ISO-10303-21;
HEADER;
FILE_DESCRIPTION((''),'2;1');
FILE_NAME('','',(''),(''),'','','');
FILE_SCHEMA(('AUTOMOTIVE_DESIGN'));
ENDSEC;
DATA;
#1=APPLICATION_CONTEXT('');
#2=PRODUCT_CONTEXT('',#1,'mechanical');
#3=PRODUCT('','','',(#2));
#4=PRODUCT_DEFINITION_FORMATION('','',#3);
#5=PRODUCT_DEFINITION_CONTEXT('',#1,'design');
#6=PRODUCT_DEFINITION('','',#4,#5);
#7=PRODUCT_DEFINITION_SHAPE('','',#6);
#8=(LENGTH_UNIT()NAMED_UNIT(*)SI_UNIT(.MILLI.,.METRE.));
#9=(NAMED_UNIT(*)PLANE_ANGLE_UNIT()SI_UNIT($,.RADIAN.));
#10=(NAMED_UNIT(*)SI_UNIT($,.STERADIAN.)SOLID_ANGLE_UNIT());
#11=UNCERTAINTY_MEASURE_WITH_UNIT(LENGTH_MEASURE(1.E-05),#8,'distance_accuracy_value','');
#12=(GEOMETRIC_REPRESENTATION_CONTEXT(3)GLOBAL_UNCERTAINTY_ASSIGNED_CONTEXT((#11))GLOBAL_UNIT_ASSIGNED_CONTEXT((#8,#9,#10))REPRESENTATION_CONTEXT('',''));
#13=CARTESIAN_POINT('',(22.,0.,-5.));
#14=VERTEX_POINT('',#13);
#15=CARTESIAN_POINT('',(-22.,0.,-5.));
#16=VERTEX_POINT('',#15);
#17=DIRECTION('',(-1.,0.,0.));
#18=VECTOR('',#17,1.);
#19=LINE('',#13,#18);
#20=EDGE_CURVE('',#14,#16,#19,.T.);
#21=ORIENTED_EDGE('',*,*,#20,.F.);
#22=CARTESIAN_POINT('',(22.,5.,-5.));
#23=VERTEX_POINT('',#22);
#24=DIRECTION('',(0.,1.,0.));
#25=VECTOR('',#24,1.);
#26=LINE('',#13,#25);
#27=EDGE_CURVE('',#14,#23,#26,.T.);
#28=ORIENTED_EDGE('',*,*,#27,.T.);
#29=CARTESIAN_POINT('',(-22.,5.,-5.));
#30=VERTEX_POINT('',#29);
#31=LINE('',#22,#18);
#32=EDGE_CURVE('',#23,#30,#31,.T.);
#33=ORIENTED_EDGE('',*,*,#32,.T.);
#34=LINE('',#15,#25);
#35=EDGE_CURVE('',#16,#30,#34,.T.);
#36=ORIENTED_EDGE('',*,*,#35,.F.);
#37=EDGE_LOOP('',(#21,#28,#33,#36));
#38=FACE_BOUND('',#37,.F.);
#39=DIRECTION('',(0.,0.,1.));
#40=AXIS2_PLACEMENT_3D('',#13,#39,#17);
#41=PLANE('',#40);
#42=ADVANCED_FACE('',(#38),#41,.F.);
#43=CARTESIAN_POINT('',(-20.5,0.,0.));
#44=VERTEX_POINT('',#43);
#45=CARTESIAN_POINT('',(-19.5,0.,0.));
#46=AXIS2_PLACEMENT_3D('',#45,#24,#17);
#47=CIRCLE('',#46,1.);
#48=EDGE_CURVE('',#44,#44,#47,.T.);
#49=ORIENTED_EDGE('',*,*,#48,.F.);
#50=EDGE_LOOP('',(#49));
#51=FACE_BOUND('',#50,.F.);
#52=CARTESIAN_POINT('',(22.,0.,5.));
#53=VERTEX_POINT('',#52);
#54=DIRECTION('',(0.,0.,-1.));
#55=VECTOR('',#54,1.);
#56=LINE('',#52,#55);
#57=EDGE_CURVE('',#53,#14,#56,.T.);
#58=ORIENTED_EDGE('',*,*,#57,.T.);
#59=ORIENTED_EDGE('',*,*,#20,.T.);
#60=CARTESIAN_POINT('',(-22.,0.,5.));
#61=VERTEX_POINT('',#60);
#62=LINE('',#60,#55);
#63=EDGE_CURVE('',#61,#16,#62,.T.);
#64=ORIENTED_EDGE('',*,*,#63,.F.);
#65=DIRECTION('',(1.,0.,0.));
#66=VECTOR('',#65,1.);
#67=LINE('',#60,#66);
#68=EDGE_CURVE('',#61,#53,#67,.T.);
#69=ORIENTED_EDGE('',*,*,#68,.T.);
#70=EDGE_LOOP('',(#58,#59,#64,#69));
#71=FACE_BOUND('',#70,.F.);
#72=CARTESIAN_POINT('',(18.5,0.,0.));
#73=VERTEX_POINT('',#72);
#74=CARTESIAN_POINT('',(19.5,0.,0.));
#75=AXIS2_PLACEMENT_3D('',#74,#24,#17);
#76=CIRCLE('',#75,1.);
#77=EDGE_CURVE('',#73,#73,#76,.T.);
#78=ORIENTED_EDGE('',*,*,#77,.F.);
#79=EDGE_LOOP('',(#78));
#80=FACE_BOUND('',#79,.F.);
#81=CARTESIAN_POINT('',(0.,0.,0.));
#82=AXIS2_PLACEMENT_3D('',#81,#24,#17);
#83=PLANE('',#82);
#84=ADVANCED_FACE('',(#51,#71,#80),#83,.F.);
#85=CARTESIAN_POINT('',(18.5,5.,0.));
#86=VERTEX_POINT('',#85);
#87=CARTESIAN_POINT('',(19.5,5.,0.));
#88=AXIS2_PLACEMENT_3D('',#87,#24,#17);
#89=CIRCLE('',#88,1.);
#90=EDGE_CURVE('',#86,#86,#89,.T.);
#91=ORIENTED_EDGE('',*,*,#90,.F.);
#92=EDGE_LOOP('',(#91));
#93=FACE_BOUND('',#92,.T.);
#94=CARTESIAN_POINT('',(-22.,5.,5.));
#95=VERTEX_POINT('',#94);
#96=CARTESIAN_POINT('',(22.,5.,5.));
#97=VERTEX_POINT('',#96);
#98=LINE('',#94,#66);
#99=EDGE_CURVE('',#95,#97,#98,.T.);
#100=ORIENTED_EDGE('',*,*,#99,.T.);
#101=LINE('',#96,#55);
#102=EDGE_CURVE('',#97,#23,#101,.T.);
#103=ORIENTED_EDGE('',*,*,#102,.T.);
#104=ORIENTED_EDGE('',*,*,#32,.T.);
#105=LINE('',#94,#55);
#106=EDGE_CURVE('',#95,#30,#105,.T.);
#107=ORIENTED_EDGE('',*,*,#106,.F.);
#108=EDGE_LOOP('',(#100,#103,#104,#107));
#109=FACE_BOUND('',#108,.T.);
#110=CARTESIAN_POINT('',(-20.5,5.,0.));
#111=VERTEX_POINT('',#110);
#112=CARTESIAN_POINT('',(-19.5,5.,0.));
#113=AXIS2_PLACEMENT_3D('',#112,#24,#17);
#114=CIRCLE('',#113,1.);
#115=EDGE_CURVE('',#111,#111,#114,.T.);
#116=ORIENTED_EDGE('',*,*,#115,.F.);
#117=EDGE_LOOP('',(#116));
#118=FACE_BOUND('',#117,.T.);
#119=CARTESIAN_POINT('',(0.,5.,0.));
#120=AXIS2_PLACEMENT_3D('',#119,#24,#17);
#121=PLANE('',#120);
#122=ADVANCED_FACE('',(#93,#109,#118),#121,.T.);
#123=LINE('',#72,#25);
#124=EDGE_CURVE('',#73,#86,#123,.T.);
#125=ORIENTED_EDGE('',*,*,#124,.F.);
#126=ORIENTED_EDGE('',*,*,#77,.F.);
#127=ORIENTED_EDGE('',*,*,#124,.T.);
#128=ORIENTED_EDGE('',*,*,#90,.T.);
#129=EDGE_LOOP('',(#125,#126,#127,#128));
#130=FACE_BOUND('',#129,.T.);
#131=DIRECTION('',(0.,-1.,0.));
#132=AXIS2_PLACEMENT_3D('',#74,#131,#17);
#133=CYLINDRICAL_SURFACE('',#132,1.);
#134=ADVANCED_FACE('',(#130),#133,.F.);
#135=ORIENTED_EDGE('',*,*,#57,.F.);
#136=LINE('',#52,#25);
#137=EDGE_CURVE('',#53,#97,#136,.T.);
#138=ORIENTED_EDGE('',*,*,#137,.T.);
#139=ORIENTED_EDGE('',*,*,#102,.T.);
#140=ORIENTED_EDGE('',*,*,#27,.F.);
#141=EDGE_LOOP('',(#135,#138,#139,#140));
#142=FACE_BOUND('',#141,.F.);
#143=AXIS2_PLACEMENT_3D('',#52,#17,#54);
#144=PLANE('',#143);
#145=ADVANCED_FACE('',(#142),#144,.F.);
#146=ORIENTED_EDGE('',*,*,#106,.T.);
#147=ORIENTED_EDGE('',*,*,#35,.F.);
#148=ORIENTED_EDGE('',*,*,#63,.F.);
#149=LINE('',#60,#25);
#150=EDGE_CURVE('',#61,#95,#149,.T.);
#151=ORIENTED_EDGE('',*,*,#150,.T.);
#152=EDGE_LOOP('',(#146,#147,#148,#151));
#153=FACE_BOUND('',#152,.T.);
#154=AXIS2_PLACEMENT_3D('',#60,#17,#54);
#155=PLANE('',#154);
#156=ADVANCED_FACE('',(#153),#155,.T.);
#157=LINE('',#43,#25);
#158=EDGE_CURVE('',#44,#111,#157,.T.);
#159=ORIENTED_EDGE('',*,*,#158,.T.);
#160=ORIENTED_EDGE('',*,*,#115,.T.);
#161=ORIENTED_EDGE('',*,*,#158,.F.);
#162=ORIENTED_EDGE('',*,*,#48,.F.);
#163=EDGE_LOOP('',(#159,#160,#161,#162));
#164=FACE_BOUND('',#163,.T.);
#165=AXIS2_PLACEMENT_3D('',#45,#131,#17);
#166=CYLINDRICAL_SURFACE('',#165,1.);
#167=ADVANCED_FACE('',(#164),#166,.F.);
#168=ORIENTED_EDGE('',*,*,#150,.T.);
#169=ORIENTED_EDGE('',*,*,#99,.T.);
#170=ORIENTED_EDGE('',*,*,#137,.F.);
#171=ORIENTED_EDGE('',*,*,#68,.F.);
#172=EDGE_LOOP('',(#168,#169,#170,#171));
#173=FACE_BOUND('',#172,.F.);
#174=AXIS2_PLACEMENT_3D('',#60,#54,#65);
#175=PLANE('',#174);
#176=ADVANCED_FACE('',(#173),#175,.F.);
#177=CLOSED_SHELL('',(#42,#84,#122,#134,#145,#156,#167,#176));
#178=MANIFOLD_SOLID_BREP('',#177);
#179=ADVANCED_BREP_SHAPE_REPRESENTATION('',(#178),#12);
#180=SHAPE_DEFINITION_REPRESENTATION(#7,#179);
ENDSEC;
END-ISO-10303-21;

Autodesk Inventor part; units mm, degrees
ref_plane "YZ Plane" through (0, 0, 0) normal (1, 0, 0) x (0, 1, 0)
ref_plane "XZ Plane" through (0, 0, 0) normal (0, 1, 0) x (-1, 0, 0)
ref_plane "XY Plane" through (0, 0, 0) normal (0, 0, 1) x (1, 0, 0)
sketch "Sketch1" plane through (0, 0, 0) normal (0, 1, 0) x (-1, 0, 0)
  line L0 (-22, -5) -> (22, -5)
  line L1 (22, 0) -> (22, 0)
  line L2 (22, 5) -> (-22, 5)
  line L3 (-22, 0) -> (-22, 0)
  line L4 (-22, -5) -> (22, 5) construction
  line L5 (22, -5) -> (-22, 5) construction
  circle A0 centre (19.5, 0) radius 1
  line L6 (-22, 5) -> (-22, -5)
  line L7 (22, 5) -> (22, -5)
  circle A1 centre (-19.5, 0) radius 1
  point P0 (0, 0)
  dimension "d0" = 10
  dimension "d1" = 44
  dimension "d3" = 2
  dimension "d6" = 2.5
  dimension "d8" = 5
  dimension "d13" = 2
  dimension "d14" = 2.5
  dimension "d15" = 5
extrude "Extrusion1" add sketch "Sketch1" along normal blind 5
properties part number "link"
